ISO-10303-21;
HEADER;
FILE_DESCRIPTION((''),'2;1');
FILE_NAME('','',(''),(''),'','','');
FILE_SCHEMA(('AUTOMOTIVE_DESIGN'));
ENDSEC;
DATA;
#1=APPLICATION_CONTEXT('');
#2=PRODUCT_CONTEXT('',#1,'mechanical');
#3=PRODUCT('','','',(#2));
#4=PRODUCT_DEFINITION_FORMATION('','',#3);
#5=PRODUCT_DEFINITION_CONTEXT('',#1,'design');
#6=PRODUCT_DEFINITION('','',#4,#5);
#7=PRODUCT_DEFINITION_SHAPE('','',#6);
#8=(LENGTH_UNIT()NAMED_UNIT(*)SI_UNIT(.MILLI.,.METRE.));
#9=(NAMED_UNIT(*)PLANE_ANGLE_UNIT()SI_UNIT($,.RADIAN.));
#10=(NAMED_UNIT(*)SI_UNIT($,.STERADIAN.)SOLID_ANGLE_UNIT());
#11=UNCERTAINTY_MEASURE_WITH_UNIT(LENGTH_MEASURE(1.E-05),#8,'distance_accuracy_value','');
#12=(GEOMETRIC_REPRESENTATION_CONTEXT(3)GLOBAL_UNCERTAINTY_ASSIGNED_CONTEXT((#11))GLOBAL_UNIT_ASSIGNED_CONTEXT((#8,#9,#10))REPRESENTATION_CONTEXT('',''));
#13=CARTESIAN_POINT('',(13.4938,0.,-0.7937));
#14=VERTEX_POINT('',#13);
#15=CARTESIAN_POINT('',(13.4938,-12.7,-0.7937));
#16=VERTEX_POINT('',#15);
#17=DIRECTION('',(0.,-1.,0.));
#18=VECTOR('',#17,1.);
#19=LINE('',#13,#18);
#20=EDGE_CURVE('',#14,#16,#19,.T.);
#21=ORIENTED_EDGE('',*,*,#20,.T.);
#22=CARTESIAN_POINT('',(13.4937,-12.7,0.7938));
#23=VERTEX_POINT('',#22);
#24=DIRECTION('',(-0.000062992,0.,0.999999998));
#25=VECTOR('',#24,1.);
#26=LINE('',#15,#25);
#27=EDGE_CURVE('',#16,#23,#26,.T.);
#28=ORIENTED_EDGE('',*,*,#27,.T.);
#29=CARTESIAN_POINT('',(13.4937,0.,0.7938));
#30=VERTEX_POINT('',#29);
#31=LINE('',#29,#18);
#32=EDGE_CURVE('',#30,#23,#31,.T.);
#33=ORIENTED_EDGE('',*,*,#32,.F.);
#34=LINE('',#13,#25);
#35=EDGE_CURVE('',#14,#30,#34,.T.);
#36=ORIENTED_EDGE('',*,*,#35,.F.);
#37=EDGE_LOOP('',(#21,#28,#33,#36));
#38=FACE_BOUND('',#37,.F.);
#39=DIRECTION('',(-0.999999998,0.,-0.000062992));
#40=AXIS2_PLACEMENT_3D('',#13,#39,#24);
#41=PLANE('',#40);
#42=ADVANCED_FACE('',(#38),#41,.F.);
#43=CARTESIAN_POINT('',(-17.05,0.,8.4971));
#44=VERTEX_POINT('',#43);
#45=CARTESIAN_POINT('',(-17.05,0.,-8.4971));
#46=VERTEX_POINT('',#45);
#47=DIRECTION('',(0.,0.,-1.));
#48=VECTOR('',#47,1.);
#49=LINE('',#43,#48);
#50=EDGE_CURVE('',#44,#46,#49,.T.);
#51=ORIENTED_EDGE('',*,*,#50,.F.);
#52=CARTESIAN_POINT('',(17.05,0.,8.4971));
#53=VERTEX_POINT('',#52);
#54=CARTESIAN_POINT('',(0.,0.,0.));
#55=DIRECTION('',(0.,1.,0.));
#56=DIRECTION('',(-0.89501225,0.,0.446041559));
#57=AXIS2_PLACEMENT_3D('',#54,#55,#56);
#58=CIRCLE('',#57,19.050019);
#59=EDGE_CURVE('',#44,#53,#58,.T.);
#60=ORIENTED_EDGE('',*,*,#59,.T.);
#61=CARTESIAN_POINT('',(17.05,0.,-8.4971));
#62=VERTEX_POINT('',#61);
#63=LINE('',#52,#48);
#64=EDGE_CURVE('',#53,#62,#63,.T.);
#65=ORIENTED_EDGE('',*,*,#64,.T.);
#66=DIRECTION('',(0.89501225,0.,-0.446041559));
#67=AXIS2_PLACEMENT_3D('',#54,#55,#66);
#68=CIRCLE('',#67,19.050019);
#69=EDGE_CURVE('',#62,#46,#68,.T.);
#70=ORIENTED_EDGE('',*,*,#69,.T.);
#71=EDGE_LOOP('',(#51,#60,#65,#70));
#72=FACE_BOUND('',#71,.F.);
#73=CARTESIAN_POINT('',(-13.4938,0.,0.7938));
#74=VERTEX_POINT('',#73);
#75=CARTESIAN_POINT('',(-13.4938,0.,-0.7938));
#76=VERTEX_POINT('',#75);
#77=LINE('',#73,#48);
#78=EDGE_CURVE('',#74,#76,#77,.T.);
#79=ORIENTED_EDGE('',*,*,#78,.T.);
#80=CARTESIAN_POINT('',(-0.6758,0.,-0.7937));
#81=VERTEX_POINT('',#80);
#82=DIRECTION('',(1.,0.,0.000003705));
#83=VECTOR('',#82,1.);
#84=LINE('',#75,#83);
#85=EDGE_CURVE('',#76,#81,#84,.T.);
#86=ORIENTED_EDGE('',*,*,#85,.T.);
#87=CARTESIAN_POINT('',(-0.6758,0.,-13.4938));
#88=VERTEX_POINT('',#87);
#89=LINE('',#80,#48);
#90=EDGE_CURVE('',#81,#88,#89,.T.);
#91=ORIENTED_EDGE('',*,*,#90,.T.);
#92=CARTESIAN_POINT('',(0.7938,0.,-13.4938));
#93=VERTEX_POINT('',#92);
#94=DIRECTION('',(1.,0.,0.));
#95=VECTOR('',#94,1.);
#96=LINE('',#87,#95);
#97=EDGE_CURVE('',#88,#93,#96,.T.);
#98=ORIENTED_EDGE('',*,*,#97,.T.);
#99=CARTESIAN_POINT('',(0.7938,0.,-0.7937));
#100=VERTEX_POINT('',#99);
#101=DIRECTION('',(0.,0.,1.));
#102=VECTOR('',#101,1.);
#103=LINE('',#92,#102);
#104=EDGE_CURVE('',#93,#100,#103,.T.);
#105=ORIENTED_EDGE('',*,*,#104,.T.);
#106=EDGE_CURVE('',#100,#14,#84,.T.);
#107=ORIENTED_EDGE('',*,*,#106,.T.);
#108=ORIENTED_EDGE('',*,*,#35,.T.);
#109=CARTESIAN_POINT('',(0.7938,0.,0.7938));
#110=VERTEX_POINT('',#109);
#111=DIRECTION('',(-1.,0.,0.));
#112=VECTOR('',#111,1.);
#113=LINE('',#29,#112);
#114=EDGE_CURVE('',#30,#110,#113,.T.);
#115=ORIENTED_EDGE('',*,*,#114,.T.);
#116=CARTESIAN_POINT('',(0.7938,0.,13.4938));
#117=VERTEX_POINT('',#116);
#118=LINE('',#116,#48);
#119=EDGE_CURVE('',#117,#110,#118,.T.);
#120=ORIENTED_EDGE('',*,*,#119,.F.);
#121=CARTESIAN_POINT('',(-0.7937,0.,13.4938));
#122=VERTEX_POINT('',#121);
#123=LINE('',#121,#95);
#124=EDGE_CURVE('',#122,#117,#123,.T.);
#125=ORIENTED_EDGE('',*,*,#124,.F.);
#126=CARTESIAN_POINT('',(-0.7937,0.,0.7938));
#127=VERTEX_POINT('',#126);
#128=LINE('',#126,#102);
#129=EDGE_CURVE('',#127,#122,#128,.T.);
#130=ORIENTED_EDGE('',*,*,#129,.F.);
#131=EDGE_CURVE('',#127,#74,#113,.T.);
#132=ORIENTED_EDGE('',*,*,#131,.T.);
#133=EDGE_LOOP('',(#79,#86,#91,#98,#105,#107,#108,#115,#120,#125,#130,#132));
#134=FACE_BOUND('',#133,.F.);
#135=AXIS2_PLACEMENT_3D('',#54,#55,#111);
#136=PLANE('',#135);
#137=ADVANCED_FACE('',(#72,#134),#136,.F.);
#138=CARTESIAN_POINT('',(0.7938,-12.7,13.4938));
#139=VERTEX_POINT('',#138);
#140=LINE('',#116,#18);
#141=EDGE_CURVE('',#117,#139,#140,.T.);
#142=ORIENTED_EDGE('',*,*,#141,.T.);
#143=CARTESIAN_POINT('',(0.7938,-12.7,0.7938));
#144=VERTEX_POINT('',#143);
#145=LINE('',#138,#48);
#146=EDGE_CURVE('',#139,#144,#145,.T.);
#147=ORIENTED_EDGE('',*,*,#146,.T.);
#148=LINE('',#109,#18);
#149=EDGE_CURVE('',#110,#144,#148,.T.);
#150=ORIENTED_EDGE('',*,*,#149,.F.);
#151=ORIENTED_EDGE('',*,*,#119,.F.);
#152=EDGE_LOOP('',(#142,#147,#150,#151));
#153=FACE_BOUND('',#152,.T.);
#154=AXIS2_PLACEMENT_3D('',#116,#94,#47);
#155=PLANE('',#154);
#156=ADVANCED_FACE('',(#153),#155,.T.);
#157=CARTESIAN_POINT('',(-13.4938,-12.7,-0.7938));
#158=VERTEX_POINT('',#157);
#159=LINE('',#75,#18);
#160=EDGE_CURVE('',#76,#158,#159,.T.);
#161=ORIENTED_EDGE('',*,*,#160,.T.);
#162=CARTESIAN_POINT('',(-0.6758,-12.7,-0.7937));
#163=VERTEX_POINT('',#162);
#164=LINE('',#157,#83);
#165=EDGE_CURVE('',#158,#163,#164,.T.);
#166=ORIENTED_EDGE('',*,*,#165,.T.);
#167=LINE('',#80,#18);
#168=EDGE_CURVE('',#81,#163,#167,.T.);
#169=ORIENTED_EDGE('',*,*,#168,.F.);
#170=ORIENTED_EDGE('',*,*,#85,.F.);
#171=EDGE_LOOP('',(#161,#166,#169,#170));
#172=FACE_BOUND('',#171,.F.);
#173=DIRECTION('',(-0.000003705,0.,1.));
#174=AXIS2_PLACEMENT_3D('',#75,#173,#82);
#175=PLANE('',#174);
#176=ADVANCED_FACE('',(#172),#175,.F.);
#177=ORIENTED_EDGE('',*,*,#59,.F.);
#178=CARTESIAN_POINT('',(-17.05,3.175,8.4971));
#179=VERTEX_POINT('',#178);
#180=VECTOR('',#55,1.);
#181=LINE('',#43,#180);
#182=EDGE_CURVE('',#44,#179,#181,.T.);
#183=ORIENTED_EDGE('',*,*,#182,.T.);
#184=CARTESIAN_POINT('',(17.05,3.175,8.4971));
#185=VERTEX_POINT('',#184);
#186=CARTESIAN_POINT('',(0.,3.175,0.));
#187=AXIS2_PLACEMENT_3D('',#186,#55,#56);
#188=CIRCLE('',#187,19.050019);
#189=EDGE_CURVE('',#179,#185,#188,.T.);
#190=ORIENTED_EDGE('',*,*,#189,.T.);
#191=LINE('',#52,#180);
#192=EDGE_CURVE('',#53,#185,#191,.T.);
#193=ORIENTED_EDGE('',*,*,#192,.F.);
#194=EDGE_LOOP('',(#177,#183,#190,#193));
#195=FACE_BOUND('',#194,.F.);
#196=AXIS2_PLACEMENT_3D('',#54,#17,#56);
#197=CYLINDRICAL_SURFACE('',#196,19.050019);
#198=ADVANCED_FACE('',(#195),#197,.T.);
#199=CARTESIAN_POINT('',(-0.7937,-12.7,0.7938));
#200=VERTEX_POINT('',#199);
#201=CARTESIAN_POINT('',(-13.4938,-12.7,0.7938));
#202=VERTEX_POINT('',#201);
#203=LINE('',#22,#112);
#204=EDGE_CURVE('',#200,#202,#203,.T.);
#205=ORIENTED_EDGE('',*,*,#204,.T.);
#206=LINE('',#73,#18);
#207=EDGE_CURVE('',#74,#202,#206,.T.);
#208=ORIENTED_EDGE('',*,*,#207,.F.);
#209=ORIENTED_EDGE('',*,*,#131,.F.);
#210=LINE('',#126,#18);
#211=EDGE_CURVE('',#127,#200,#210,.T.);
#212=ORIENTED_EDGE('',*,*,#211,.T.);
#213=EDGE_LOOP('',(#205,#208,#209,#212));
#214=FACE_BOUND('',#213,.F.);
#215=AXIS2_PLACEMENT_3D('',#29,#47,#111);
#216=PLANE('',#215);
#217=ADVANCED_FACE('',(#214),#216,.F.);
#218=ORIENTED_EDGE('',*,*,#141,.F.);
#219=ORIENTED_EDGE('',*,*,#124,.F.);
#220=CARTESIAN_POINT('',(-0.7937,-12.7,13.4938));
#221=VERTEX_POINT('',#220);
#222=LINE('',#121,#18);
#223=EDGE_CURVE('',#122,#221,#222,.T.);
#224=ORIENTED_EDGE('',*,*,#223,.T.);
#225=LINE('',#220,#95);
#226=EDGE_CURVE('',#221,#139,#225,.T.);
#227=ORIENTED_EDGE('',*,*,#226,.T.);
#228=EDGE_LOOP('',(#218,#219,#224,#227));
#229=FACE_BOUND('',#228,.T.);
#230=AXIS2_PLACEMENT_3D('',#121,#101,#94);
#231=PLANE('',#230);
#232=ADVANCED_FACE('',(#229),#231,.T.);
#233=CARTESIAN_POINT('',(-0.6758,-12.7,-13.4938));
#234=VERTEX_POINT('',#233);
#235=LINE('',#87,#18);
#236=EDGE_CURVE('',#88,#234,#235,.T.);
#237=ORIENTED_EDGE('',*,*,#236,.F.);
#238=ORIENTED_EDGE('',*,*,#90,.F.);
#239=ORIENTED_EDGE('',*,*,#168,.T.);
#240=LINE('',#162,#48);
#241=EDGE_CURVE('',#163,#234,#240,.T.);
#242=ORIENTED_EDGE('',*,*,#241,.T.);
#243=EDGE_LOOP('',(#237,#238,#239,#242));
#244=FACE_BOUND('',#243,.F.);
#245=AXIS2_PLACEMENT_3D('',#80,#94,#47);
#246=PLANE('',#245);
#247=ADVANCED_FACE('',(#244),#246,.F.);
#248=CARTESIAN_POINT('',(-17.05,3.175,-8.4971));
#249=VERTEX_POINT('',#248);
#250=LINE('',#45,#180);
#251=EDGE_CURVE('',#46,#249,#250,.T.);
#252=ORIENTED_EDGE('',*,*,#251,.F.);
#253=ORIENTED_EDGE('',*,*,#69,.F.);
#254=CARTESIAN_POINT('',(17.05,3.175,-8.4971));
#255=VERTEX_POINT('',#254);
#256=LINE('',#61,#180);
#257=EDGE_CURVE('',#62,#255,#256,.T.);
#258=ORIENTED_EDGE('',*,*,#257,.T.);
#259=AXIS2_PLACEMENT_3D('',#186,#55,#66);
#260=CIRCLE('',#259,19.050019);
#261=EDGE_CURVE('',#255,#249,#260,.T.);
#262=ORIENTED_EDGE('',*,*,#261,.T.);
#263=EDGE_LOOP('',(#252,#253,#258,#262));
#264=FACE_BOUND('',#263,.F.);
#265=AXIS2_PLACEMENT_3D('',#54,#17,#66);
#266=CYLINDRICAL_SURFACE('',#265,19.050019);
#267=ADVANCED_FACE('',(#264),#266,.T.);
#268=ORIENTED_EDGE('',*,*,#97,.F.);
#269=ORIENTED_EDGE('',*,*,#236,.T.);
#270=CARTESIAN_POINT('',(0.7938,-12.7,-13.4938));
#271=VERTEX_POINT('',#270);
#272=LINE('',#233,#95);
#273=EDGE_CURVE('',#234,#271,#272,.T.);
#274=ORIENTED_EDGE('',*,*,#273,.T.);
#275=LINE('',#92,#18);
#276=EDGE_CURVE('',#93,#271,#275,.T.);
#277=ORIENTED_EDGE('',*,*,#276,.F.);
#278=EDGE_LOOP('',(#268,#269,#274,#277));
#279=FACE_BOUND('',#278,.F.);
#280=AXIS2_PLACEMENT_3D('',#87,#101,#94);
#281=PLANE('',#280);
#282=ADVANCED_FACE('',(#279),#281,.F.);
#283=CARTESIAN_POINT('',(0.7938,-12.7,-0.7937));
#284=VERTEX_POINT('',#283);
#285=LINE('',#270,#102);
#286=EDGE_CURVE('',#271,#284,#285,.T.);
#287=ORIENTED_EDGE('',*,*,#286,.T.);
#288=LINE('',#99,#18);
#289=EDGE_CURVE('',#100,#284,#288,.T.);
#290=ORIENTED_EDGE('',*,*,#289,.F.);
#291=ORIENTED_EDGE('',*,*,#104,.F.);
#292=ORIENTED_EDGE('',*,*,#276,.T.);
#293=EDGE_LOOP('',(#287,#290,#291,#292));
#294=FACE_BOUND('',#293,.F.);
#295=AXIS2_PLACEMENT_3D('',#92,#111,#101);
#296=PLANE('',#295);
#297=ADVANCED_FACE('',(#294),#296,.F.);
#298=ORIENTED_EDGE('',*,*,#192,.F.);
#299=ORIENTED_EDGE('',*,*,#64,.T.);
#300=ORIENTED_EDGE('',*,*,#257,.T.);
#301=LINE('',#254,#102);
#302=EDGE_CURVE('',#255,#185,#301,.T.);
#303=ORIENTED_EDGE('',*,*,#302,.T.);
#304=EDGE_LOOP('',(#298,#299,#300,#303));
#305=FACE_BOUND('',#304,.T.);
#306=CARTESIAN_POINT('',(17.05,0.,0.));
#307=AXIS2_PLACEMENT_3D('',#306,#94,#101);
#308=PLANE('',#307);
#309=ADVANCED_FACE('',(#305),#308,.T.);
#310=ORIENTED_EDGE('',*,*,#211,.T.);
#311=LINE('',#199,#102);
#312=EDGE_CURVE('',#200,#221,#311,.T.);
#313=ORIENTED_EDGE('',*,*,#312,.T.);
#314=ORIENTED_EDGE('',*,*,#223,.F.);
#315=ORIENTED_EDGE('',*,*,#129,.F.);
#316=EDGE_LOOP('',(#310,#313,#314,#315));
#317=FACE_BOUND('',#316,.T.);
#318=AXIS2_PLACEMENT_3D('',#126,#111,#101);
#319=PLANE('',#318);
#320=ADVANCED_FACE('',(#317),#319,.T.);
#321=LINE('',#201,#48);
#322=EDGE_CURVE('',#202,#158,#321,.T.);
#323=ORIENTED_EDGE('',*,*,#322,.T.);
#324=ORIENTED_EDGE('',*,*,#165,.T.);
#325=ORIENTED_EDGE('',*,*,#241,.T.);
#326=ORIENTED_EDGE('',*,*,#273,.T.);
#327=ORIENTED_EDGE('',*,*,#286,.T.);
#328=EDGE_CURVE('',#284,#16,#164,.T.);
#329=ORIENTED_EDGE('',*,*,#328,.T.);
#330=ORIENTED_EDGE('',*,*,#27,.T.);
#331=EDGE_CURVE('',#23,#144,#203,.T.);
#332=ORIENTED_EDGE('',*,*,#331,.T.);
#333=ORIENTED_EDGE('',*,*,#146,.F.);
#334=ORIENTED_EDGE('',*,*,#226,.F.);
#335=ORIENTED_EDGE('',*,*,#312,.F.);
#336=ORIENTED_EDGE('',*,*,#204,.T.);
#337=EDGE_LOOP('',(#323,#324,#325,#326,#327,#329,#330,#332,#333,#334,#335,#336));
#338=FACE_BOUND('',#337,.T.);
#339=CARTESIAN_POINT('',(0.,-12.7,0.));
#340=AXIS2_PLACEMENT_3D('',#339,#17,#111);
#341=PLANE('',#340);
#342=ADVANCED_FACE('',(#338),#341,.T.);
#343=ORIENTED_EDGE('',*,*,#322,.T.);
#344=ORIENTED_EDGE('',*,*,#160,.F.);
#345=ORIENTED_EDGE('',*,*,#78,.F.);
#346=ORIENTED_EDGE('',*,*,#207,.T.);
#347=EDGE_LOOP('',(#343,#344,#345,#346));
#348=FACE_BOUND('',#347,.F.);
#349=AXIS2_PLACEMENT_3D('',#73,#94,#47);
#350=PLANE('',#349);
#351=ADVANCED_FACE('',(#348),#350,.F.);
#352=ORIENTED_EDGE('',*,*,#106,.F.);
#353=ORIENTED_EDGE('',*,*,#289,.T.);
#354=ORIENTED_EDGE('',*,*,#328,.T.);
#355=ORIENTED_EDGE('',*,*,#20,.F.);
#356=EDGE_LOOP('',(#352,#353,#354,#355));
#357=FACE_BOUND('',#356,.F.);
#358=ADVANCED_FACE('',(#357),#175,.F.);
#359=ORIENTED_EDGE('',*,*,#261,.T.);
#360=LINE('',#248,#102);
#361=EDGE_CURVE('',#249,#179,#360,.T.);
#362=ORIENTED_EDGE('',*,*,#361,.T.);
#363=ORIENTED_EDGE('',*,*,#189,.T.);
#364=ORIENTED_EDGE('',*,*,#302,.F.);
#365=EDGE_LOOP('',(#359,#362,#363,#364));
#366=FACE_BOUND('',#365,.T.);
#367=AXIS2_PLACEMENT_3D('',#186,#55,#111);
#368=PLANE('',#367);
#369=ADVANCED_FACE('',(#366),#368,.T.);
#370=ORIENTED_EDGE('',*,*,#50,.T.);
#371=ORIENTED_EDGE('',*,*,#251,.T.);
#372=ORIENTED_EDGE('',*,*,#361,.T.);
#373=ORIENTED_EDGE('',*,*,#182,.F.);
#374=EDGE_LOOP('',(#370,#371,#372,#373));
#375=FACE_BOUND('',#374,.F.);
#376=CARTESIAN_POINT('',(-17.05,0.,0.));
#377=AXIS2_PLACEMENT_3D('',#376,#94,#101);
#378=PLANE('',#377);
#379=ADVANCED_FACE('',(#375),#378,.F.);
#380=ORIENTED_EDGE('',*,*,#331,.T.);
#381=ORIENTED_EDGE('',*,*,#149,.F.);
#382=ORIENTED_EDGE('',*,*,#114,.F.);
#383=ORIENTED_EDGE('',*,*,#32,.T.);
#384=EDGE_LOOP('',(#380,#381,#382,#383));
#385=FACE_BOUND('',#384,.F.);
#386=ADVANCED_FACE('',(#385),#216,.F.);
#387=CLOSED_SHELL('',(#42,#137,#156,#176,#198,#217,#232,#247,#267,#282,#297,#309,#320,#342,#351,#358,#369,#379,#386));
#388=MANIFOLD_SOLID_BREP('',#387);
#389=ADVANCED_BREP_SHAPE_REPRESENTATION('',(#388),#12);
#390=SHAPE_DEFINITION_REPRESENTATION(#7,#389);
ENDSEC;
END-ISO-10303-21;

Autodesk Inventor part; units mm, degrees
ref_plane "YZ Plane" through (0, 0, 0) normal (1, 0, 0) x (0, 1, 0)
ref_plane "XZ Plane" through (0, 0, 0) normal (0, 1, 0) x (-1, 0, 0)
ref_plane "XY Plane" through (0, 0, 0) normal (0, 0, 1) x (1, 0, 0)
sketch "Sketch1" plane through (0, 0, 0) normal (0, 1, 0) x (-1, 0, 0)
  line L0 (-17.05, 0) -> (-17.05, 8.4971)
  line L1 (-17.05, 0) -> (-17.05, -8.4971)
  line L2 (17.05, 0) -> (17.05, 8.4971)
  line L3 (17.05, 0) -> (17.05, -8.4971)
  arc A0 (-17.05, -8.4971) -> (17.05, -8.4971) centre (0, 0) ccw
  arc A1 (17.05, 8.4971) -> (-17.05, 8.4971) centre (0, 0) ccw
extrude "Extrusion1" add sketch "Sketch1" along normal blind 3.175
sketch "Sketch4" plane through (0, 0, 0) normal (0, -1, 0) x (-1, 0, 0)
  line L0 (-13.4937, -0.7938) -> (13.4938, -0.7938)
  line L1 (13.4938, -0.7938) -> (13.4938, 0.7938)
  line L2 (13.4938, 0.7938) -> (-13.4938, 0.7937)
  line L3 (-13.4938, 0.7937) -> (-13.4937, -0.7938)
  circle A0 centre (0, 0) radius 19.05 projected
  dimension "d16" = 26.9875
  dimension "d17" = 1.5875
  dimension "d18" = 18.2563
  dimension "d19" = 5.5563
extrude "Extrusion3" add sketch "Sketch4" along normal blind 12.7 contours L3 L2 L1 L0
sketch "Sketch5" plane through (0, 0, 0) normal (0, -1, 0) x (-1, 0, 0)
  line L0 (13.4937, 0.7938) -> (-13.4938, 0.7937) projected
  line L1 (-0.7938, 0.7937) -> (0.6758, 0.7937)
  line L2 (0.6758, 0.7937) -> (0.6758, 13.4938)
  line L3 (0.6758, 13.4938) -> (-0.7938, 13.4938)
  line L4 (-0.7938, 13.4938) -> (-0.7938, 0.7937)
  line L5 (-13.4938, 0.7937) -> (-13.4937, -0.7938) projected
  point P0 (0, 0)
  dimension "d22" = 12.7
  dimension "d23" = 12.7
extrude "Extrusion4" add sketch "Sketch5" along normal blind 12.7
sketch "Sketch7" plane through (0, 0, 0) normal (0, -1, 0) x (-1, 0, 0)
  line L0 (-13.4937, -0.7938) -> (13.4937, -0.7938) projected
  line L1 (-0.7938, -0.7938) -> (0.7937, -0.7938)
  line L2 (0.7937, -0.7938) -> (0.7937, -13.4938)
  line L3 (0.7937, -13.4938) -> (-0.7938, -13.4938)
  line L4 (-0.7938, -13.4938) -> (-0.7938, -0.7938)
  line L5 (13.4937, -0.7938) -> (13.4937, 0.7938) projected
  point P0 (0, 0)
  dimension "d28" = 12.7
  dimension "d29" = 1.5875
  dimension "d30" = 12.7
extrude "Extrusion5" add sketch "Sketch7" along normal blind 12.7
properties part number "Syringe cap_Flat_Sides"
